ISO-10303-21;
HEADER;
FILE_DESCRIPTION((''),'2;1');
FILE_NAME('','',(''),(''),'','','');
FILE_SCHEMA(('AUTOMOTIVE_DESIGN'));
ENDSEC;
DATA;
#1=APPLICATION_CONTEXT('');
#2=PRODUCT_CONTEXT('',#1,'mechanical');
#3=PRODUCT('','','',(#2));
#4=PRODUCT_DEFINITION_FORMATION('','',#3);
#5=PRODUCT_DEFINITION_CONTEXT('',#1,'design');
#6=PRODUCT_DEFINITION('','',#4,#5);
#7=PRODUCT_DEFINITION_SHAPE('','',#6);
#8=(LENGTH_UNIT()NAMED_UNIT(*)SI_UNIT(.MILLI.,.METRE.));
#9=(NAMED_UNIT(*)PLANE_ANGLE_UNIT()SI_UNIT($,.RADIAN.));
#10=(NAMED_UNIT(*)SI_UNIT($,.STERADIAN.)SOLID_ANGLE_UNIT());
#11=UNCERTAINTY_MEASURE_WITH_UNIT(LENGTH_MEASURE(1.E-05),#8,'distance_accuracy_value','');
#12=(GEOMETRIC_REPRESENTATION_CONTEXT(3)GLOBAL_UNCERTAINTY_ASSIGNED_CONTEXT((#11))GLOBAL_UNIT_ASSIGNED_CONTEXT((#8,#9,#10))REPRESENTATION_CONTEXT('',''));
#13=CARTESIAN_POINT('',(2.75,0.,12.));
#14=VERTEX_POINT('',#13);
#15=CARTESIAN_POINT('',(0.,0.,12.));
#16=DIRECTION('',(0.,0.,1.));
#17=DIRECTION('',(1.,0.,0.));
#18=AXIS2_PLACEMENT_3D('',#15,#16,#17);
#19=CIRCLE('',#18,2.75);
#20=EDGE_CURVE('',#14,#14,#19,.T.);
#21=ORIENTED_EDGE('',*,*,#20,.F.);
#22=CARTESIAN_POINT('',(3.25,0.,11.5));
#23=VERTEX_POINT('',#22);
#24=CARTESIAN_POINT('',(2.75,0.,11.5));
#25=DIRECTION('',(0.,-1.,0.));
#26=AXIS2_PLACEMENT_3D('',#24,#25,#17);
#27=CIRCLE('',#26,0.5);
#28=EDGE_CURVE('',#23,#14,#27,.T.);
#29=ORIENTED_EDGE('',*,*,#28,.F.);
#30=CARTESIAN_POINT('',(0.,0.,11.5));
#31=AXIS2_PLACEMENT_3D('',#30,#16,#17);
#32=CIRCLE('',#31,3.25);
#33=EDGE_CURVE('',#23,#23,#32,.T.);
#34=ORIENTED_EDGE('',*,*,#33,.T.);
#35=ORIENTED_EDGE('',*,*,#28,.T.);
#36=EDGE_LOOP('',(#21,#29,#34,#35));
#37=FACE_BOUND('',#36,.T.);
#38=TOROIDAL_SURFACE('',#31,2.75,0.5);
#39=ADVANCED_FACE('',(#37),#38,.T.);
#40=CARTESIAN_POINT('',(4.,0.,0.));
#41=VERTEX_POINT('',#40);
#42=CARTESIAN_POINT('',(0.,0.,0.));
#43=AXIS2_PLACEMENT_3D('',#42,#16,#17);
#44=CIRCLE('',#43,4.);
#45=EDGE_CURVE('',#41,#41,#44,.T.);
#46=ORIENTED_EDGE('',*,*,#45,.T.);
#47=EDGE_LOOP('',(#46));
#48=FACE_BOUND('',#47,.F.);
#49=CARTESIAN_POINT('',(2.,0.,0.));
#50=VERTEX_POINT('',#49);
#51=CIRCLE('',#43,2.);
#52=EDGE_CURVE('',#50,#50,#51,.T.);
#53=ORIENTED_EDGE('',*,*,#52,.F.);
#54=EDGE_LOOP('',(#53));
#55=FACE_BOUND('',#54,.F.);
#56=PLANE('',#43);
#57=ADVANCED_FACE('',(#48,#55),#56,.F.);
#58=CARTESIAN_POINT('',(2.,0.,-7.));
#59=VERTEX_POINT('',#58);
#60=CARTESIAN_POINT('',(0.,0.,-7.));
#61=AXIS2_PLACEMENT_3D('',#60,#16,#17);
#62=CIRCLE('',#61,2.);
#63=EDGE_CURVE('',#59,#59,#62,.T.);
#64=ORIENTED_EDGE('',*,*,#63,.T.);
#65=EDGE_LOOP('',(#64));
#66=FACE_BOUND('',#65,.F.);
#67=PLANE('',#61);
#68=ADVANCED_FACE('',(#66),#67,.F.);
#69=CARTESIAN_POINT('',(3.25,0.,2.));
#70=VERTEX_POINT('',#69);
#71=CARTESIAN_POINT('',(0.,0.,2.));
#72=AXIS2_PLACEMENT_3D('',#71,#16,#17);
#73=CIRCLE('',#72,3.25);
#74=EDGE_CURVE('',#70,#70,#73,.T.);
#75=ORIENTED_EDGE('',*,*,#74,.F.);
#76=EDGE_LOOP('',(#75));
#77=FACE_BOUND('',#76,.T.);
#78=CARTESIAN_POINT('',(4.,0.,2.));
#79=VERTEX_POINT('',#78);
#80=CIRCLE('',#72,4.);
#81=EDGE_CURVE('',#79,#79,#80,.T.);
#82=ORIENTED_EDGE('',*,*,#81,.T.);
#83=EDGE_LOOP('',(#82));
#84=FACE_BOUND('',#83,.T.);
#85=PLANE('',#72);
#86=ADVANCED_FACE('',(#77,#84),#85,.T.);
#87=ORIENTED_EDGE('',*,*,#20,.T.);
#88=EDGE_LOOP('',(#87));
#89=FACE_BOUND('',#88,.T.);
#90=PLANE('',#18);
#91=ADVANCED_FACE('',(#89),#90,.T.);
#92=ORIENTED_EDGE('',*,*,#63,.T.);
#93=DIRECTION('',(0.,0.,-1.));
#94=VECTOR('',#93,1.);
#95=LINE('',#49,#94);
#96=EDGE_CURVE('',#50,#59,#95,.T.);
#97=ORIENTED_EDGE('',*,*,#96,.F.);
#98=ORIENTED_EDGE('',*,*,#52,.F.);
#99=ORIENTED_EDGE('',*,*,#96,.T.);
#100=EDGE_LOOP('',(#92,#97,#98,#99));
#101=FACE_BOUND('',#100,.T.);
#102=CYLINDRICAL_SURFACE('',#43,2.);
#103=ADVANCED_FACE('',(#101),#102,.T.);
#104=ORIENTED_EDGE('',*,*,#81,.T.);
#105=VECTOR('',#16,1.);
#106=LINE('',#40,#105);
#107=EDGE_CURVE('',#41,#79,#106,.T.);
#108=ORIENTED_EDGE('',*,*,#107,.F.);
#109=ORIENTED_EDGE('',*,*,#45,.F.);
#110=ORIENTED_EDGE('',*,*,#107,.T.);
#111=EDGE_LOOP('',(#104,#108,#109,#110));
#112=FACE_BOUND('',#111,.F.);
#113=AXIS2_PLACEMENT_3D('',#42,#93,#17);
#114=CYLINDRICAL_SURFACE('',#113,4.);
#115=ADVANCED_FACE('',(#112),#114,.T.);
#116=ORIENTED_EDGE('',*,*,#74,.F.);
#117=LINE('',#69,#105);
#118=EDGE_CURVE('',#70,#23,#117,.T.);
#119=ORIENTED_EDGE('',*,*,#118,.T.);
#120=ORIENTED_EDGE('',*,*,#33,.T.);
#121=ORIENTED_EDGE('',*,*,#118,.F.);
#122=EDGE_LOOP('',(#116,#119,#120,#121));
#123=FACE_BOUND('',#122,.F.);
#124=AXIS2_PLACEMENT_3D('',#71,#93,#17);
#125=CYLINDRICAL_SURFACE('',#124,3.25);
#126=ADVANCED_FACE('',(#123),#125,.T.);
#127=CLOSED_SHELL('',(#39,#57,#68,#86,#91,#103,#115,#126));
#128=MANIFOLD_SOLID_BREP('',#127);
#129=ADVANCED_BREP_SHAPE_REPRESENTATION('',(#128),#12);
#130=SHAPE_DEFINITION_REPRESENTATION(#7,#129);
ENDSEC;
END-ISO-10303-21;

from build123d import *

# Parameters (mm, degrees)
F0_R     = 4
F0_R_2   = 2
F1_DEPTH = 2
F2_R     = 3.25
F3_DEPTH = 10
F4_DEPTH = 7
F5_R     = 0.5


with BuildPart() as f1:
    # F0 (on Top) → F1 (new body)
    with BuildSketch(Plane.XY):
        Circle(F0_R)
        Circle(F0_R_2, mode=Mode.SUBTRACT)
        Circle(F0_R_2)
    extrude(amount=F1_DEPTH)

    # F2 (on face) → F3 (join)
    with BuildSketch(Plane.XY.offset(2)):
        Circle(F2_R)
    extrude(amount=F3_DEPTH)

    # F0 (on Top) → F4 (join)
    with BuildSketch(Plane.XY):
        Circle(F0_R_2)
    extrude(amount=-F4_DEPTH)

    # F5
    f5_edges = [f1.edges().sort_by_distance(p)[0] for p in [
        (-3.25, 0, 12),
    ]]
    fillet(f5_edges, radius=F5_R)


solid = f1.part
